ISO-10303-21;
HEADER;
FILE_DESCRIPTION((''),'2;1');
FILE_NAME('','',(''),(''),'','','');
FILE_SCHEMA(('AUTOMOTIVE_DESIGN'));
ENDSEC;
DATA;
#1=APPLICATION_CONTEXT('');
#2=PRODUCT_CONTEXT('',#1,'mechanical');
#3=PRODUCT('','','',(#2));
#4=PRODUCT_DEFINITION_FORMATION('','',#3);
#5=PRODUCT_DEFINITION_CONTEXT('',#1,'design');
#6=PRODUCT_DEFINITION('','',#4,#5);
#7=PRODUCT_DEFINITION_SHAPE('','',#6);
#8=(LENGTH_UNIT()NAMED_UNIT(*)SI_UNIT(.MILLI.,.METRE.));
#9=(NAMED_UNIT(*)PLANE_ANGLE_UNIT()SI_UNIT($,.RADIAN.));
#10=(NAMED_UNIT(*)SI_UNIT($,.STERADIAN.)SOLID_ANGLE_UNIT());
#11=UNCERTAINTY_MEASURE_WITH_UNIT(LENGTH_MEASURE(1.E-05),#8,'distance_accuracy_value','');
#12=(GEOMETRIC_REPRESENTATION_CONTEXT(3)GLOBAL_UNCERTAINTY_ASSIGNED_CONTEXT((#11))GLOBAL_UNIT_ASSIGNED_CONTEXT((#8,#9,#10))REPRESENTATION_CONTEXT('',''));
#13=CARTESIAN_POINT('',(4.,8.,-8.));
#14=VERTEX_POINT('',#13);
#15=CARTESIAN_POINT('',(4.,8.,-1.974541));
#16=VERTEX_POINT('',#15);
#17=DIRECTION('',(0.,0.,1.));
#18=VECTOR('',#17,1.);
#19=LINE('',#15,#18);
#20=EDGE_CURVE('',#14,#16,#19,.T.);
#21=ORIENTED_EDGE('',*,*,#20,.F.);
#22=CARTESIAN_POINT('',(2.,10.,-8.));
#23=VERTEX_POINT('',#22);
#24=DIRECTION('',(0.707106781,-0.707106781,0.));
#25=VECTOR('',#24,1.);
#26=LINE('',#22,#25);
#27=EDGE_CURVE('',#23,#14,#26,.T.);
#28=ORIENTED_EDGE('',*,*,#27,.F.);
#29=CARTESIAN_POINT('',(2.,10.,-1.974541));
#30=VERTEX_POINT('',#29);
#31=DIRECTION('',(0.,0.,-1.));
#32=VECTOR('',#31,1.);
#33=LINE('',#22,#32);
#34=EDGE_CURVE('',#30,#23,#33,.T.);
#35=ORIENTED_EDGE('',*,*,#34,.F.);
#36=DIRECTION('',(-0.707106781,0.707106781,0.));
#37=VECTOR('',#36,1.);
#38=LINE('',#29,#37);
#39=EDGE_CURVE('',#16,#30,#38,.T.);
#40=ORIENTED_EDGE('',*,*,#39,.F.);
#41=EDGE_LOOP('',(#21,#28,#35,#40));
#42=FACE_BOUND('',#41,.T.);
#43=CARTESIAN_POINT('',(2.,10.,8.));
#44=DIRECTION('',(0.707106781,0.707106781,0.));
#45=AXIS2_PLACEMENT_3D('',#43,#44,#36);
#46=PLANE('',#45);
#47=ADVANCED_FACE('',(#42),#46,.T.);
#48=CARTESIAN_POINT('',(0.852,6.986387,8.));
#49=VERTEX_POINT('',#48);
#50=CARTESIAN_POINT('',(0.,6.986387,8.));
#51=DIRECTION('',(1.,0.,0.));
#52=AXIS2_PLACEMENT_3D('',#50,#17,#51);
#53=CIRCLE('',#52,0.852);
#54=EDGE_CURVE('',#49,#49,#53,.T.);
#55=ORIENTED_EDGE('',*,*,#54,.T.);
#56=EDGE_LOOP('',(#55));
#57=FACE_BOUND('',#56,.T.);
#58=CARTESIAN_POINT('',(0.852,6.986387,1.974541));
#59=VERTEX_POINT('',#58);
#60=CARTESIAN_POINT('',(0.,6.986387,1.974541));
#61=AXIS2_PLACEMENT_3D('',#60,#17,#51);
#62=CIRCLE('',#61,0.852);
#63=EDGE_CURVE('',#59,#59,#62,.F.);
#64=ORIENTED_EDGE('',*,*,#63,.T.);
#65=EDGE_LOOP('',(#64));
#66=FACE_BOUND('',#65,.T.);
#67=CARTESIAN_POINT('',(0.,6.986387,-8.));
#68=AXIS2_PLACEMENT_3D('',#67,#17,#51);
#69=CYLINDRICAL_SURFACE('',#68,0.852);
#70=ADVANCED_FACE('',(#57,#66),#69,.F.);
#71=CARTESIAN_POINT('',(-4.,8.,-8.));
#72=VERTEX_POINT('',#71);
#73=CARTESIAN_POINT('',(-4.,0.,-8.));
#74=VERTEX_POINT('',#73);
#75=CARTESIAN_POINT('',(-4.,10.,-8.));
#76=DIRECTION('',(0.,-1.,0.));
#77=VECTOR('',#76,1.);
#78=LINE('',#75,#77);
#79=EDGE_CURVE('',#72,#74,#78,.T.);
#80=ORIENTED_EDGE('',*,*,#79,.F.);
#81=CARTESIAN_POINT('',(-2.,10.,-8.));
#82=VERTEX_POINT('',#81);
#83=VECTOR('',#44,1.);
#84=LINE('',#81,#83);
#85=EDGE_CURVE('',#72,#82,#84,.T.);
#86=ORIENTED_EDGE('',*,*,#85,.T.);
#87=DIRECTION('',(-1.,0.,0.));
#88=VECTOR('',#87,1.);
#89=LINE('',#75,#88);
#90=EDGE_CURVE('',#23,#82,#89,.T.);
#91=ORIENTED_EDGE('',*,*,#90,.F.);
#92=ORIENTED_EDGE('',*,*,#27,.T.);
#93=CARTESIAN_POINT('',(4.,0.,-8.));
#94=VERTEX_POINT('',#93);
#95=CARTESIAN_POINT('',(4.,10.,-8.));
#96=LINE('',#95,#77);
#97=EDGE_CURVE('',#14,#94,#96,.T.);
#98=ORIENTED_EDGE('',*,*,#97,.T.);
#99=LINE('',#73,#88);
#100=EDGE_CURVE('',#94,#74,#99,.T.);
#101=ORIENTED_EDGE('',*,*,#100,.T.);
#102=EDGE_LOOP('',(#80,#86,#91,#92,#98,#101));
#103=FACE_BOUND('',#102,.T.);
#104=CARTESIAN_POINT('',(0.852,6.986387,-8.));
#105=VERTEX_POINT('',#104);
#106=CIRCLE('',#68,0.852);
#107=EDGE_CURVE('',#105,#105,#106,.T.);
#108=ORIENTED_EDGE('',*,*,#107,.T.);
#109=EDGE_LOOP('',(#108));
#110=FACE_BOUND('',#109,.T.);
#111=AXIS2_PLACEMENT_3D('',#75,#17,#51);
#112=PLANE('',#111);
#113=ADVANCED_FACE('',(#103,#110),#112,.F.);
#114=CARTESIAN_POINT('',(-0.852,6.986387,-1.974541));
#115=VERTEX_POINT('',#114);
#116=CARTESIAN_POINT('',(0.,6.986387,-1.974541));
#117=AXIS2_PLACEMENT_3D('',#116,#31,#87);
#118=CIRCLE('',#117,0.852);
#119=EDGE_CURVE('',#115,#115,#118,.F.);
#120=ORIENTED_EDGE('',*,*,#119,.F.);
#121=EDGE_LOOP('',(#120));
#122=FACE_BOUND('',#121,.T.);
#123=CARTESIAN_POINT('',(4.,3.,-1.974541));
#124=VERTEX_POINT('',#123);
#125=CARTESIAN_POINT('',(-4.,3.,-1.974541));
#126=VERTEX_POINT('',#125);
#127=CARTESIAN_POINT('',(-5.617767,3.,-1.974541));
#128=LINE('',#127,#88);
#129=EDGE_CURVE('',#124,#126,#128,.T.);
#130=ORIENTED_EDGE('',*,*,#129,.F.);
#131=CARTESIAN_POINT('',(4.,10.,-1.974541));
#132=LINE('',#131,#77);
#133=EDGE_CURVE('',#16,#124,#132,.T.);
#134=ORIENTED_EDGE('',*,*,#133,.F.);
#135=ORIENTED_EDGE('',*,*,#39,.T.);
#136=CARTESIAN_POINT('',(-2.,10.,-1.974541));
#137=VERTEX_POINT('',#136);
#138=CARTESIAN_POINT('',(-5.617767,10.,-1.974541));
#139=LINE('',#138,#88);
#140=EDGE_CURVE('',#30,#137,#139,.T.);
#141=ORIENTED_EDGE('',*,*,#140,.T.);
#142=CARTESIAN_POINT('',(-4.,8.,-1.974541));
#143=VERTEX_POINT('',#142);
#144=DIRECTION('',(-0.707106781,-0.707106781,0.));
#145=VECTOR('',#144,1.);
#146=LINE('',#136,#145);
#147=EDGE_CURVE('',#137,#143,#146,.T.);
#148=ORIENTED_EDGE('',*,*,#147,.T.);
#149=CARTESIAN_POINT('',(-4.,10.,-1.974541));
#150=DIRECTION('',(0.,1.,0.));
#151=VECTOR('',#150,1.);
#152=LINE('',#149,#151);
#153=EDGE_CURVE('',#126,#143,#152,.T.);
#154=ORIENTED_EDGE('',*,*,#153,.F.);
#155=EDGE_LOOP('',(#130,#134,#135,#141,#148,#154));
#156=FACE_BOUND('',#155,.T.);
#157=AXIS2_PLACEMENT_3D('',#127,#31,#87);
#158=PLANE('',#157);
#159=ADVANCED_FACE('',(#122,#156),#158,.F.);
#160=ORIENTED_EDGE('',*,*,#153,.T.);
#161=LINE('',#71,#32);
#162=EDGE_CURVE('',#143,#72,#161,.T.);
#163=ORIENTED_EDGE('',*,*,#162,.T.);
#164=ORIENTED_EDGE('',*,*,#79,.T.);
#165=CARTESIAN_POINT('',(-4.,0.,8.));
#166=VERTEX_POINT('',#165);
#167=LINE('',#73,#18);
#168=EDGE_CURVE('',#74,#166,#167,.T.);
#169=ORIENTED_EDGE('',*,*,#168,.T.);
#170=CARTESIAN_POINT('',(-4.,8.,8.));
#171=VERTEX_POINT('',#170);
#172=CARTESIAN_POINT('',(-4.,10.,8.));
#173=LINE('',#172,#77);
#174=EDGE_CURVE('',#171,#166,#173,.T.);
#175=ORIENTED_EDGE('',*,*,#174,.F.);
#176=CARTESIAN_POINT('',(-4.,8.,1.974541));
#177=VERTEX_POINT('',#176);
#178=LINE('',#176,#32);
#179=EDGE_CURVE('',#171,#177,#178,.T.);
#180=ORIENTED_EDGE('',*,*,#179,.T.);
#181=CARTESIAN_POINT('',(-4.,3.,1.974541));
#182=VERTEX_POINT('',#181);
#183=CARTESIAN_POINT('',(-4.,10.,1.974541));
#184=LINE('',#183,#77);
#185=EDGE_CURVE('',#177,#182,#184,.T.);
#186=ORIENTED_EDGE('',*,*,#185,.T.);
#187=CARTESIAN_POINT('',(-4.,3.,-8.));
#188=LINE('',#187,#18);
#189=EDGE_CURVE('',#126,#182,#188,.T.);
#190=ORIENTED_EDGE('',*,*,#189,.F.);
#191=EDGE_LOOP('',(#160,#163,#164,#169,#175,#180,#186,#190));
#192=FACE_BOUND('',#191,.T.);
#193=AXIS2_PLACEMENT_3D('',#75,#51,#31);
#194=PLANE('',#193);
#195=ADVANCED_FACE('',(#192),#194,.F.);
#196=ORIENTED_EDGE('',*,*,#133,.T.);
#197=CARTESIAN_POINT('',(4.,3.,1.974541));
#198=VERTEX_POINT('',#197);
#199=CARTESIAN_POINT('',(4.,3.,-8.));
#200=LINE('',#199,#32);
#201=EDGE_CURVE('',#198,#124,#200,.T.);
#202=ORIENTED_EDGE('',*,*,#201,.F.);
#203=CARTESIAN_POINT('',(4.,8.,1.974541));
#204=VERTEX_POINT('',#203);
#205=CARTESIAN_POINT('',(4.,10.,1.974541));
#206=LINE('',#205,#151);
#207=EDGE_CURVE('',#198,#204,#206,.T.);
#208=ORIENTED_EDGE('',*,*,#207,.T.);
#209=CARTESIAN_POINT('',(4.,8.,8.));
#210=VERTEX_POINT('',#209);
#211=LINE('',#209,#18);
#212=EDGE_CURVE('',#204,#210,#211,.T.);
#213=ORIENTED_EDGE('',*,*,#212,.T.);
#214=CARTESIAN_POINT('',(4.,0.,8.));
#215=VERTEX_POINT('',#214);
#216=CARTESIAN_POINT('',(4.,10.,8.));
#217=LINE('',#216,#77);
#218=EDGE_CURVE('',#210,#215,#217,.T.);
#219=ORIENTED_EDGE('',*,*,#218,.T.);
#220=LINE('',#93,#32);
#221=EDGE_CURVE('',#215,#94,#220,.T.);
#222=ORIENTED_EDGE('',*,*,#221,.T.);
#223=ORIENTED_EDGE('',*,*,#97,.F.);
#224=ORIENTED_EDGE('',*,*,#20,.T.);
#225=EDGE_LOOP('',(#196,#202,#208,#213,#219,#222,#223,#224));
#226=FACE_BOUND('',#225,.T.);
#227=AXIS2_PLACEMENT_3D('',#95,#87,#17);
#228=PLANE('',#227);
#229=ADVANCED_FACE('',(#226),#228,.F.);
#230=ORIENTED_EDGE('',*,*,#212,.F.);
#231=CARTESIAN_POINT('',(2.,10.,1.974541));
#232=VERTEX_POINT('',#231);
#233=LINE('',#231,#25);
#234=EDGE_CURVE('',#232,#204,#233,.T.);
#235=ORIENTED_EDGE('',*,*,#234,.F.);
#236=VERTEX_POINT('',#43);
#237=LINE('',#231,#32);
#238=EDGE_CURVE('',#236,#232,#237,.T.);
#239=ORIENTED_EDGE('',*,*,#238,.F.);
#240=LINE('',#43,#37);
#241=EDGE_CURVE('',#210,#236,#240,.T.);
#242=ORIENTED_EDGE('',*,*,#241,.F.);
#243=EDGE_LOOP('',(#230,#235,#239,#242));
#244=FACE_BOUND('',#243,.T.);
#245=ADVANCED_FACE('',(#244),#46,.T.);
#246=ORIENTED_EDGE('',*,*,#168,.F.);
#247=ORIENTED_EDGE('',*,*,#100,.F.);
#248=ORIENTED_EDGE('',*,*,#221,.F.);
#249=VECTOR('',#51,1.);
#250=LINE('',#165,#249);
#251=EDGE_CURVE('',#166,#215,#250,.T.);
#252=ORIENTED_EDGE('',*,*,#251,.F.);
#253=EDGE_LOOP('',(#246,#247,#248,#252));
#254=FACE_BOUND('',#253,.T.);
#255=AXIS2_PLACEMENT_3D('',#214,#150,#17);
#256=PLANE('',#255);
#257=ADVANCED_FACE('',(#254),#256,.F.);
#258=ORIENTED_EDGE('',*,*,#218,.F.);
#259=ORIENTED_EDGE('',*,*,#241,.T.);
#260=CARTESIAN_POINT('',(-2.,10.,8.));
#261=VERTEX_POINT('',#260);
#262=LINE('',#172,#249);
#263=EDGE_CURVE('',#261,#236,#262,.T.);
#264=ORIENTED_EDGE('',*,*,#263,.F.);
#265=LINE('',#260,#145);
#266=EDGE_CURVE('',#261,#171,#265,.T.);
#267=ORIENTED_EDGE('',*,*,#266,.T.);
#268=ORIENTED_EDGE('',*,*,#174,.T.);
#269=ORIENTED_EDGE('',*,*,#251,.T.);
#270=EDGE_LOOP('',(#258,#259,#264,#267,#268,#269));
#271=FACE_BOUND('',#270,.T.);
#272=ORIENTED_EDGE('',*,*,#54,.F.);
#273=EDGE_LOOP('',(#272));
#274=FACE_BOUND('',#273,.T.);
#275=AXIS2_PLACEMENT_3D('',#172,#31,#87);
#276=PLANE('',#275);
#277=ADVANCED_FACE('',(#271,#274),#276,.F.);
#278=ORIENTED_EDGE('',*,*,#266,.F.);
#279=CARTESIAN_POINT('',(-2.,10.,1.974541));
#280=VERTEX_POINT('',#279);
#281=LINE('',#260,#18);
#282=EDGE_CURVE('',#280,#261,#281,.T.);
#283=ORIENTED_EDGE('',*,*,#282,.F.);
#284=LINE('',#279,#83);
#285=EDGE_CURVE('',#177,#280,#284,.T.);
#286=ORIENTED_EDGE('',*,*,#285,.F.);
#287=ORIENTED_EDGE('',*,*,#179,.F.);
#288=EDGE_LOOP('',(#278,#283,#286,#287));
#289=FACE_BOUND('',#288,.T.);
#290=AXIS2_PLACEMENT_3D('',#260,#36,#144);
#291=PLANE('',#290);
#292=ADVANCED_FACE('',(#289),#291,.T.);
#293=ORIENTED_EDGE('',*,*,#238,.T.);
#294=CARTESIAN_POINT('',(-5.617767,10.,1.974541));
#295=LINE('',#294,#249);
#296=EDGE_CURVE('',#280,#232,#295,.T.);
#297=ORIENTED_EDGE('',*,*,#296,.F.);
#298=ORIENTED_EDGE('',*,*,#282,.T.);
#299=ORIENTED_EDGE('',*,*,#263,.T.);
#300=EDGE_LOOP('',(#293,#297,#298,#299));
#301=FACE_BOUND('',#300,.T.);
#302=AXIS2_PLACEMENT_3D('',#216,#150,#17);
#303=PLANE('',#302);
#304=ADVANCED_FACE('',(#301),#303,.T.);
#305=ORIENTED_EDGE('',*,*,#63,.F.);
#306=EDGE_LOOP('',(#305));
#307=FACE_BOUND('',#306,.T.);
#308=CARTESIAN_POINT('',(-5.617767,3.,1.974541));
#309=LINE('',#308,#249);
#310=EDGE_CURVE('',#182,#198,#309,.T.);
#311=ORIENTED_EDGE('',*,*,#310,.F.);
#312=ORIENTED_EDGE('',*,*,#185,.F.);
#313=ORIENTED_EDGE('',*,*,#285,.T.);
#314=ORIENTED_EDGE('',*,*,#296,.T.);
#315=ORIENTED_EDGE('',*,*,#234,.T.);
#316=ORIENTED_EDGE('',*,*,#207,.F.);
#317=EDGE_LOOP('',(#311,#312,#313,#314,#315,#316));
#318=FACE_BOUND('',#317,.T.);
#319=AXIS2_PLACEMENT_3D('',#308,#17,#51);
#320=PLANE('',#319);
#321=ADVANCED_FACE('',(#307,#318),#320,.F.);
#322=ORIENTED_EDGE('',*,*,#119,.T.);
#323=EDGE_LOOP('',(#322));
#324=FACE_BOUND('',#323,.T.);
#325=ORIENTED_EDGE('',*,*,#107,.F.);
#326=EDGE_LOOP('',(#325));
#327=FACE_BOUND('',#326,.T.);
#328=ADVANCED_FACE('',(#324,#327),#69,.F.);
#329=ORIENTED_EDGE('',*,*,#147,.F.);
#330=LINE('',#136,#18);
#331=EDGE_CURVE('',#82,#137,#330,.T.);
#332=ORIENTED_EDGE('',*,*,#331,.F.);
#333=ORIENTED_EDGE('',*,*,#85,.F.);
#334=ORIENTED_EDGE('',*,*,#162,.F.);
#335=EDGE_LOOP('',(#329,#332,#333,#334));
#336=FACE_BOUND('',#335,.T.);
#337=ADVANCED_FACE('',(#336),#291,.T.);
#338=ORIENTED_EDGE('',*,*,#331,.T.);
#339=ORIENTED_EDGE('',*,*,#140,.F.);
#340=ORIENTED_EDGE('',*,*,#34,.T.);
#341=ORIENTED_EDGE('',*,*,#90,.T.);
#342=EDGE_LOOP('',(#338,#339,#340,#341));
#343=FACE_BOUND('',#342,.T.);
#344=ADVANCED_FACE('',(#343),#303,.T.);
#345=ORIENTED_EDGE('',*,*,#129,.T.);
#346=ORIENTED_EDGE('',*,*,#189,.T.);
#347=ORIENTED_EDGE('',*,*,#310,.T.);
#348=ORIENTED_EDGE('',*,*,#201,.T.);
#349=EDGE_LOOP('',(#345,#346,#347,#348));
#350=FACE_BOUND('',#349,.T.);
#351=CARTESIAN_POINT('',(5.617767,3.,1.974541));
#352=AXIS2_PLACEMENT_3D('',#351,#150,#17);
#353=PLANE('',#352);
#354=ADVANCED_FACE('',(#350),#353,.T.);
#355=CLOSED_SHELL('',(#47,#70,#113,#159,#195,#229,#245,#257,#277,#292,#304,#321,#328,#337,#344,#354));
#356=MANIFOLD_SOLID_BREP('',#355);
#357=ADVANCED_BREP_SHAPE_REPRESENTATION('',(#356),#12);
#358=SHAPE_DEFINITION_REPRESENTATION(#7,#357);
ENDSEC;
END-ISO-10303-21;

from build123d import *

# Parameters (mm, degrees)
SKETCH_1_W          = 8
SKETCH_1_H          = 16
EXTRUDE_1_DEPTH     = 10
SKETCH_2_R          = 0.852
CUT_EXTRUDE_1_DEPTH = 20.287301522
SKETCH_3_W          = 11.235534132
SKETCH_3_H          = 3.949082568
CUT_EXTRUDE_2_DEPTH = 7
CHAMFER_1_SIZE      = 2


with BuildPart() as part:
    # Эскиз1 → Вытянуть1 (new body)
    with BuildSketch(Plane(origin=(0, 0, 0), x_dir=(1, 0, 0), z_dir=(0, 1, 0))):
        Rectangle(SKETCH_1_W, SKETCH_1_H)
    extrude(amount=EXTRUDE_1_DEPTH)

    # Эскиз2 → Вырез-Вытянуть1 (cut, through all)
    with BuildSketch(Plane.XY.offset(8)):
        with Locations((0, 6.986387237)):
            Circle(SKETCH_2_R)
    extrude(amount=-CUT_EXTRUDE_1_DEPTH, mode=Mode.SUBTRACT)

    # Эскиз3 → Вырез-Вытянуть2 (cut)
    with BuildSketch(Plane(origin=(0, 10, 0), x_dir=(1, 0, 0), z_dir=(0, 1, 0))):
        Rectangle(SKETCH_3_W, SKETCH_3_H)
    extrude(amount=-CUT_EXTRUDE_2_DEPTH, mode=Mode.SUBTRACT)

    # Фаска1
    chamfer_1_edges = [part.edges().sort_by_distance(p)[0] for p in [
        (-4, 10, -4.987270642),
        (4, 10, -4.987270642),
        (-4, 10, 4.987270642),
        (4, 10, 4.987270642),
    ]]
    chamfer(chamfer_1_edges, length=CHAMFER_1_SIZE)


solid = part.part
